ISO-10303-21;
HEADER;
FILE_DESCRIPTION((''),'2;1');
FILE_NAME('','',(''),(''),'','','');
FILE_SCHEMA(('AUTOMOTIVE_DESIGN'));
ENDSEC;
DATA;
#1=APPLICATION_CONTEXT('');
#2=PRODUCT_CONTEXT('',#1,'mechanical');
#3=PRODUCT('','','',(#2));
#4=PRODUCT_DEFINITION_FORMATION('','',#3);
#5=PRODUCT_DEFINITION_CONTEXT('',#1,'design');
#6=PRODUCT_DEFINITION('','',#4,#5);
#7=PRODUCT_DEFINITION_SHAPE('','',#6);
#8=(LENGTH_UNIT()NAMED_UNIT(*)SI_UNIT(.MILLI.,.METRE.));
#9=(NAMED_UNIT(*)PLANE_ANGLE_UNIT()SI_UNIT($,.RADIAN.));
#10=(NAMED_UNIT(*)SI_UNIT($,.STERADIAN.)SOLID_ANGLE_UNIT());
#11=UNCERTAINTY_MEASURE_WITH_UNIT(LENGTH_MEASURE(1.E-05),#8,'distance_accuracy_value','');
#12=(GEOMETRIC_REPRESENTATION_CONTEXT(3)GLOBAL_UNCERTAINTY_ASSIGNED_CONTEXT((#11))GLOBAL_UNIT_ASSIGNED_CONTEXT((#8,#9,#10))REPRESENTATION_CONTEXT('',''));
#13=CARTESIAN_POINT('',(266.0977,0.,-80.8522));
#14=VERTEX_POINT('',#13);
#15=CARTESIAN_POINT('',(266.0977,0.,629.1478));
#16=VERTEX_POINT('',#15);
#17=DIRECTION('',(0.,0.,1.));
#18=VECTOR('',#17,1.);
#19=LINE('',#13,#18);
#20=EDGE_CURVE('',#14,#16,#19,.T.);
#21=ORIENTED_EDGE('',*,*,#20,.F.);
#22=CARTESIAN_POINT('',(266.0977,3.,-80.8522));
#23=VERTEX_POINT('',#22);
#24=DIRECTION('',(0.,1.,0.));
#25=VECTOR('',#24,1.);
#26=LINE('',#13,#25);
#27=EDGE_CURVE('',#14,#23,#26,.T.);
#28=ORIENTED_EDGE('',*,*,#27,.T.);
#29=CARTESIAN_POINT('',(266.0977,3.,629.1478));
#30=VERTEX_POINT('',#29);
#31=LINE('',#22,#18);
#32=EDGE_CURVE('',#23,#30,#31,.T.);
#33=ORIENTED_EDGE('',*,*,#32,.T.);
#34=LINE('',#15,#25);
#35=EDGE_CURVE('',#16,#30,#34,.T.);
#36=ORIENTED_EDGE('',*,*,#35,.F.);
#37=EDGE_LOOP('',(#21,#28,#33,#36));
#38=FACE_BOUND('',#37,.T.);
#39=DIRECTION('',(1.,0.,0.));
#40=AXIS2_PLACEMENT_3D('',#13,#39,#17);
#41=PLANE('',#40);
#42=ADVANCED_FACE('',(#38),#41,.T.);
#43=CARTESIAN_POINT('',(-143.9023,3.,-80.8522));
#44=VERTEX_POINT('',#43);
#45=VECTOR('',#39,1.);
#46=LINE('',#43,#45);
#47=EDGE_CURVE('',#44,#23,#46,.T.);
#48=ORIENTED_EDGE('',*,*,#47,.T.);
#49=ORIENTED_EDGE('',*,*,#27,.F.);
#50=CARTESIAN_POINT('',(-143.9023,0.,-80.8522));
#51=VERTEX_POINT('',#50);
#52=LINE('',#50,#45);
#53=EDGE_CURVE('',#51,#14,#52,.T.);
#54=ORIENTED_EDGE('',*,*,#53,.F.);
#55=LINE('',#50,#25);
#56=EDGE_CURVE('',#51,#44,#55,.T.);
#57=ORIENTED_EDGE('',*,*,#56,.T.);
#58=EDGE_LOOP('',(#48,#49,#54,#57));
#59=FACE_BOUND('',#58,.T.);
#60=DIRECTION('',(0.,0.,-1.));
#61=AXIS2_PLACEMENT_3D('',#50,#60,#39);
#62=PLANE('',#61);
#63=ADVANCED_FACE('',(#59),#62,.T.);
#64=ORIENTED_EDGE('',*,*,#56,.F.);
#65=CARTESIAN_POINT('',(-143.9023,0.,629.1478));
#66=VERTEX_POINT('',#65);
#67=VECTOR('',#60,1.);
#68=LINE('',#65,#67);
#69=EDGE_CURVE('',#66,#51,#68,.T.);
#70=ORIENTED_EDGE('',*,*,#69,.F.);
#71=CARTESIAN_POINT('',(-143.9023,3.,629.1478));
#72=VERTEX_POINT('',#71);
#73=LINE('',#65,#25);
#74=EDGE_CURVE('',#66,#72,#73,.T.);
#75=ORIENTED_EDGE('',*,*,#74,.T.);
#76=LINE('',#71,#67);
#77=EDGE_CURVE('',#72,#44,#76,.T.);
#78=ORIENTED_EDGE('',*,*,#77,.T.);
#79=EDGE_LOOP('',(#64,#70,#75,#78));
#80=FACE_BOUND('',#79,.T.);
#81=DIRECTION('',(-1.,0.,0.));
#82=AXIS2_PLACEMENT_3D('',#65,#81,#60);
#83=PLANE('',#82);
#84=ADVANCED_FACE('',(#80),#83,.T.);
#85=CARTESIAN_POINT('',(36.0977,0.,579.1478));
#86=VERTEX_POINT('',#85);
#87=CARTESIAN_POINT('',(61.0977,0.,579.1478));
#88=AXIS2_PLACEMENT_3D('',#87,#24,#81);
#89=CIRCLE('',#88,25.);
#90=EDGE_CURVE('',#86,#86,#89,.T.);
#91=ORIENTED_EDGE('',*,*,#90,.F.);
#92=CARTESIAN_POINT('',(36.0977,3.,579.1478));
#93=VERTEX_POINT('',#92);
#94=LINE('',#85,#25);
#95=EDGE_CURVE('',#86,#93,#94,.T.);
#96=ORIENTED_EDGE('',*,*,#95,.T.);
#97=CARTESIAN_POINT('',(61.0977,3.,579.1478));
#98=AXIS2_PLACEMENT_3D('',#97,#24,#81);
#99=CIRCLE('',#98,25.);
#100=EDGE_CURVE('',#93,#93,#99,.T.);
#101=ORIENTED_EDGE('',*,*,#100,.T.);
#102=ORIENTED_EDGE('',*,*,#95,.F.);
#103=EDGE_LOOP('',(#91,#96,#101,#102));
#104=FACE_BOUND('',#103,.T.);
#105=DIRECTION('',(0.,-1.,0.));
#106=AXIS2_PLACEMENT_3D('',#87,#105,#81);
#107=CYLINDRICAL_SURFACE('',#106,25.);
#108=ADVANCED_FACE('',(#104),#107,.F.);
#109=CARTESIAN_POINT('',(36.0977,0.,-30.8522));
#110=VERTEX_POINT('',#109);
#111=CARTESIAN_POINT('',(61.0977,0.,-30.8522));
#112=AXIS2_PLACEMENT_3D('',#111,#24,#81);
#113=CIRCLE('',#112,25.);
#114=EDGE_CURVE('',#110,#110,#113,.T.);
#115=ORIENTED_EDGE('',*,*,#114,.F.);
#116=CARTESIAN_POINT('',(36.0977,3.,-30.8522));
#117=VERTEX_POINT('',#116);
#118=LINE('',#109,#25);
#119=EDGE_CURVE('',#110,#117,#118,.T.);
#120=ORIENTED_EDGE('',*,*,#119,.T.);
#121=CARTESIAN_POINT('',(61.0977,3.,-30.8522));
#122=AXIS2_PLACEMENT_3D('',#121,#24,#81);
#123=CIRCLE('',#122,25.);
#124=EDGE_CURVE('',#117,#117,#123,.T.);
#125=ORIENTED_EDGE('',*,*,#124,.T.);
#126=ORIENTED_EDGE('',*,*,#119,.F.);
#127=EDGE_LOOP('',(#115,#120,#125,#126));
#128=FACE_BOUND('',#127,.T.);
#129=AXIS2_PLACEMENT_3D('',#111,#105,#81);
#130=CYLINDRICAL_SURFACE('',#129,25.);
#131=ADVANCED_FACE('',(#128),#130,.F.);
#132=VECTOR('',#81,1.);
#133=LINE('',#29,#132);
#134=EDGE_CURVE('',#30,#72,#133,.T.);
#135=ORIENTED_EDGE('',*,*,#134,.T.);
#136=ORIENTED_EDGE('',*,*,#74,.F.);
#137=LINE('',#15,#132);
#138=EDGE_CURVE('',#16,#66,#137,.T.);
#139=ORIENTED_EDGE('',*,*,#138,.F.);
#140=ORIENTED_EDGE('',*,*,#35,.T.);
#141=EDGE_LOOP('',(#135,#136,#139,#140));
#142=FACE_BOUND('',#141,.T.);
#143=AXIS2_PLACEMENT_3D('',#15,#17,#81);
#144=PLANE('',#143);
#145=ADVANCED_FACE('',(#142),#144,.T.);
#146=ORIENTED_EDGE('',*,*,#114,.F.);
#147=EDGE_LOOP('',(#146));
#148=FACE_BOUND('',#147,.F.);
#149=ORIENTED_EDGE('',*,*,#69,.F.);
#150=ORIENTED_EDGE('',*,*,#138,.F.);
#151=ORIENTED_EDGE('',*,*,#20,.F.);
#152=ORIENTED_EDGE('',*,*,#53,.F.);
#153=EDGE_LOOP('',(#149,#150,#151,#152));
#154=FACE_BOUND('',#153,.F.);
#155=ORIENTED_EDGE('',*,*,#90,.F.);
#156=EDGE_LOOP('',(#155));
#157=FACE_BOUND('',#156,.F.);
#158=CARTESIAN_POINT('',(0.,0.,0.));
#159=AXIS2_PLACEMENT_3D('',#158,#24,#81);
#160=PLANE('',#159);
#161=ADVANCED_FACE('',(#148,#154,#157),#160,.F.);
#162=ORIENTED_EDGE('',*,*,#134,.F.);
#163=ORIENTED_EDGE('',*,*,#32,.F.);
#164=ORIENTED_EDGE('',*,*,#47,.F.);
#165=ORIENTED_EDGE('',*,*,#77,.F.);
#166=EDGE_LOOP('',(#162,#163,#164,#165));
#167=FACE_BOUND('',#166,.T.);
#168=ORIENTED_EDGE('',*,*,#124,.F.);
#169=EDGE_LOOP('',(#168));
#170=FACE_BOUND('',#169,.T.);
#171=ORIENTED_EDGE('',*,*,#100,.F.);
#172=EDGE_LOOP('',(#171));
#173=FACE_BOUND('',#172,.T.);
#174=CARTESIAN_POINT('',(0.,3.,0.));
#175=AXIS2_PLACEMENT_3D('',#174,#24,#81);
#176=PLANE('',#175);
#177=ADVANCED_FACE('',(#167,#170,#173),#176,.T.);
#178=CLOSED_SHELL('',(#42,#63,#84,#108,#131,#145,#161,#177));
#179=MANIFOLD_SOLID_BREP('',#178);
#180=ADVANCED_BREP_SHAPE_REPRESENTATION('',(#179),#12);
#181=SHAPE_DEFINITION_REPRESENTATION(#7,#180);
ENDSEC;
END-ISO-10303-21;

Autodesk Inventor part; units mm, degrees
ref_plane "YZ Plane" through (0, 0, 0) normal (1, 0, 0) x (0, 1, 0)
ref_plane "XZ Plane" through (0, 0, 0) normal (0, 1, 0) x (-1, 0, 0)
ref_plane "XY Plane" through (0, 0, 0) normal (0, 0, 1) x (1, 0, 0)
sketch "Sketch1" plane through (0, 0, 0) normal (0, 1, 0) x (-1, 0, 0)
  line L0 (-266.0977, 629.1478) -> (143.9023, 629.1478)
  line L1 (143.9023, 629.1478) -> (143.9023, -80.8522)
  line L2 (143.9023, -80.8522) -> (-266.0977, -80.8522)
  line L3 (-266.0977, -80.8522) -> (-266.0977, 629.1478)
  circle A0 centre (-61.0977, 579.1478) radius 25
  circle A1 centre (-61.0977, -30.8522) radius 25
  point P0 (0, 0)
  dimension "d0" = 710
  dimension "d1" = 410
  dimension "d4" = 50
  dimension "d5" = 50
extrude "Extrusion1" add sketch "Sketch1" along normal blind 3
properties part number "base ultrasonido"
